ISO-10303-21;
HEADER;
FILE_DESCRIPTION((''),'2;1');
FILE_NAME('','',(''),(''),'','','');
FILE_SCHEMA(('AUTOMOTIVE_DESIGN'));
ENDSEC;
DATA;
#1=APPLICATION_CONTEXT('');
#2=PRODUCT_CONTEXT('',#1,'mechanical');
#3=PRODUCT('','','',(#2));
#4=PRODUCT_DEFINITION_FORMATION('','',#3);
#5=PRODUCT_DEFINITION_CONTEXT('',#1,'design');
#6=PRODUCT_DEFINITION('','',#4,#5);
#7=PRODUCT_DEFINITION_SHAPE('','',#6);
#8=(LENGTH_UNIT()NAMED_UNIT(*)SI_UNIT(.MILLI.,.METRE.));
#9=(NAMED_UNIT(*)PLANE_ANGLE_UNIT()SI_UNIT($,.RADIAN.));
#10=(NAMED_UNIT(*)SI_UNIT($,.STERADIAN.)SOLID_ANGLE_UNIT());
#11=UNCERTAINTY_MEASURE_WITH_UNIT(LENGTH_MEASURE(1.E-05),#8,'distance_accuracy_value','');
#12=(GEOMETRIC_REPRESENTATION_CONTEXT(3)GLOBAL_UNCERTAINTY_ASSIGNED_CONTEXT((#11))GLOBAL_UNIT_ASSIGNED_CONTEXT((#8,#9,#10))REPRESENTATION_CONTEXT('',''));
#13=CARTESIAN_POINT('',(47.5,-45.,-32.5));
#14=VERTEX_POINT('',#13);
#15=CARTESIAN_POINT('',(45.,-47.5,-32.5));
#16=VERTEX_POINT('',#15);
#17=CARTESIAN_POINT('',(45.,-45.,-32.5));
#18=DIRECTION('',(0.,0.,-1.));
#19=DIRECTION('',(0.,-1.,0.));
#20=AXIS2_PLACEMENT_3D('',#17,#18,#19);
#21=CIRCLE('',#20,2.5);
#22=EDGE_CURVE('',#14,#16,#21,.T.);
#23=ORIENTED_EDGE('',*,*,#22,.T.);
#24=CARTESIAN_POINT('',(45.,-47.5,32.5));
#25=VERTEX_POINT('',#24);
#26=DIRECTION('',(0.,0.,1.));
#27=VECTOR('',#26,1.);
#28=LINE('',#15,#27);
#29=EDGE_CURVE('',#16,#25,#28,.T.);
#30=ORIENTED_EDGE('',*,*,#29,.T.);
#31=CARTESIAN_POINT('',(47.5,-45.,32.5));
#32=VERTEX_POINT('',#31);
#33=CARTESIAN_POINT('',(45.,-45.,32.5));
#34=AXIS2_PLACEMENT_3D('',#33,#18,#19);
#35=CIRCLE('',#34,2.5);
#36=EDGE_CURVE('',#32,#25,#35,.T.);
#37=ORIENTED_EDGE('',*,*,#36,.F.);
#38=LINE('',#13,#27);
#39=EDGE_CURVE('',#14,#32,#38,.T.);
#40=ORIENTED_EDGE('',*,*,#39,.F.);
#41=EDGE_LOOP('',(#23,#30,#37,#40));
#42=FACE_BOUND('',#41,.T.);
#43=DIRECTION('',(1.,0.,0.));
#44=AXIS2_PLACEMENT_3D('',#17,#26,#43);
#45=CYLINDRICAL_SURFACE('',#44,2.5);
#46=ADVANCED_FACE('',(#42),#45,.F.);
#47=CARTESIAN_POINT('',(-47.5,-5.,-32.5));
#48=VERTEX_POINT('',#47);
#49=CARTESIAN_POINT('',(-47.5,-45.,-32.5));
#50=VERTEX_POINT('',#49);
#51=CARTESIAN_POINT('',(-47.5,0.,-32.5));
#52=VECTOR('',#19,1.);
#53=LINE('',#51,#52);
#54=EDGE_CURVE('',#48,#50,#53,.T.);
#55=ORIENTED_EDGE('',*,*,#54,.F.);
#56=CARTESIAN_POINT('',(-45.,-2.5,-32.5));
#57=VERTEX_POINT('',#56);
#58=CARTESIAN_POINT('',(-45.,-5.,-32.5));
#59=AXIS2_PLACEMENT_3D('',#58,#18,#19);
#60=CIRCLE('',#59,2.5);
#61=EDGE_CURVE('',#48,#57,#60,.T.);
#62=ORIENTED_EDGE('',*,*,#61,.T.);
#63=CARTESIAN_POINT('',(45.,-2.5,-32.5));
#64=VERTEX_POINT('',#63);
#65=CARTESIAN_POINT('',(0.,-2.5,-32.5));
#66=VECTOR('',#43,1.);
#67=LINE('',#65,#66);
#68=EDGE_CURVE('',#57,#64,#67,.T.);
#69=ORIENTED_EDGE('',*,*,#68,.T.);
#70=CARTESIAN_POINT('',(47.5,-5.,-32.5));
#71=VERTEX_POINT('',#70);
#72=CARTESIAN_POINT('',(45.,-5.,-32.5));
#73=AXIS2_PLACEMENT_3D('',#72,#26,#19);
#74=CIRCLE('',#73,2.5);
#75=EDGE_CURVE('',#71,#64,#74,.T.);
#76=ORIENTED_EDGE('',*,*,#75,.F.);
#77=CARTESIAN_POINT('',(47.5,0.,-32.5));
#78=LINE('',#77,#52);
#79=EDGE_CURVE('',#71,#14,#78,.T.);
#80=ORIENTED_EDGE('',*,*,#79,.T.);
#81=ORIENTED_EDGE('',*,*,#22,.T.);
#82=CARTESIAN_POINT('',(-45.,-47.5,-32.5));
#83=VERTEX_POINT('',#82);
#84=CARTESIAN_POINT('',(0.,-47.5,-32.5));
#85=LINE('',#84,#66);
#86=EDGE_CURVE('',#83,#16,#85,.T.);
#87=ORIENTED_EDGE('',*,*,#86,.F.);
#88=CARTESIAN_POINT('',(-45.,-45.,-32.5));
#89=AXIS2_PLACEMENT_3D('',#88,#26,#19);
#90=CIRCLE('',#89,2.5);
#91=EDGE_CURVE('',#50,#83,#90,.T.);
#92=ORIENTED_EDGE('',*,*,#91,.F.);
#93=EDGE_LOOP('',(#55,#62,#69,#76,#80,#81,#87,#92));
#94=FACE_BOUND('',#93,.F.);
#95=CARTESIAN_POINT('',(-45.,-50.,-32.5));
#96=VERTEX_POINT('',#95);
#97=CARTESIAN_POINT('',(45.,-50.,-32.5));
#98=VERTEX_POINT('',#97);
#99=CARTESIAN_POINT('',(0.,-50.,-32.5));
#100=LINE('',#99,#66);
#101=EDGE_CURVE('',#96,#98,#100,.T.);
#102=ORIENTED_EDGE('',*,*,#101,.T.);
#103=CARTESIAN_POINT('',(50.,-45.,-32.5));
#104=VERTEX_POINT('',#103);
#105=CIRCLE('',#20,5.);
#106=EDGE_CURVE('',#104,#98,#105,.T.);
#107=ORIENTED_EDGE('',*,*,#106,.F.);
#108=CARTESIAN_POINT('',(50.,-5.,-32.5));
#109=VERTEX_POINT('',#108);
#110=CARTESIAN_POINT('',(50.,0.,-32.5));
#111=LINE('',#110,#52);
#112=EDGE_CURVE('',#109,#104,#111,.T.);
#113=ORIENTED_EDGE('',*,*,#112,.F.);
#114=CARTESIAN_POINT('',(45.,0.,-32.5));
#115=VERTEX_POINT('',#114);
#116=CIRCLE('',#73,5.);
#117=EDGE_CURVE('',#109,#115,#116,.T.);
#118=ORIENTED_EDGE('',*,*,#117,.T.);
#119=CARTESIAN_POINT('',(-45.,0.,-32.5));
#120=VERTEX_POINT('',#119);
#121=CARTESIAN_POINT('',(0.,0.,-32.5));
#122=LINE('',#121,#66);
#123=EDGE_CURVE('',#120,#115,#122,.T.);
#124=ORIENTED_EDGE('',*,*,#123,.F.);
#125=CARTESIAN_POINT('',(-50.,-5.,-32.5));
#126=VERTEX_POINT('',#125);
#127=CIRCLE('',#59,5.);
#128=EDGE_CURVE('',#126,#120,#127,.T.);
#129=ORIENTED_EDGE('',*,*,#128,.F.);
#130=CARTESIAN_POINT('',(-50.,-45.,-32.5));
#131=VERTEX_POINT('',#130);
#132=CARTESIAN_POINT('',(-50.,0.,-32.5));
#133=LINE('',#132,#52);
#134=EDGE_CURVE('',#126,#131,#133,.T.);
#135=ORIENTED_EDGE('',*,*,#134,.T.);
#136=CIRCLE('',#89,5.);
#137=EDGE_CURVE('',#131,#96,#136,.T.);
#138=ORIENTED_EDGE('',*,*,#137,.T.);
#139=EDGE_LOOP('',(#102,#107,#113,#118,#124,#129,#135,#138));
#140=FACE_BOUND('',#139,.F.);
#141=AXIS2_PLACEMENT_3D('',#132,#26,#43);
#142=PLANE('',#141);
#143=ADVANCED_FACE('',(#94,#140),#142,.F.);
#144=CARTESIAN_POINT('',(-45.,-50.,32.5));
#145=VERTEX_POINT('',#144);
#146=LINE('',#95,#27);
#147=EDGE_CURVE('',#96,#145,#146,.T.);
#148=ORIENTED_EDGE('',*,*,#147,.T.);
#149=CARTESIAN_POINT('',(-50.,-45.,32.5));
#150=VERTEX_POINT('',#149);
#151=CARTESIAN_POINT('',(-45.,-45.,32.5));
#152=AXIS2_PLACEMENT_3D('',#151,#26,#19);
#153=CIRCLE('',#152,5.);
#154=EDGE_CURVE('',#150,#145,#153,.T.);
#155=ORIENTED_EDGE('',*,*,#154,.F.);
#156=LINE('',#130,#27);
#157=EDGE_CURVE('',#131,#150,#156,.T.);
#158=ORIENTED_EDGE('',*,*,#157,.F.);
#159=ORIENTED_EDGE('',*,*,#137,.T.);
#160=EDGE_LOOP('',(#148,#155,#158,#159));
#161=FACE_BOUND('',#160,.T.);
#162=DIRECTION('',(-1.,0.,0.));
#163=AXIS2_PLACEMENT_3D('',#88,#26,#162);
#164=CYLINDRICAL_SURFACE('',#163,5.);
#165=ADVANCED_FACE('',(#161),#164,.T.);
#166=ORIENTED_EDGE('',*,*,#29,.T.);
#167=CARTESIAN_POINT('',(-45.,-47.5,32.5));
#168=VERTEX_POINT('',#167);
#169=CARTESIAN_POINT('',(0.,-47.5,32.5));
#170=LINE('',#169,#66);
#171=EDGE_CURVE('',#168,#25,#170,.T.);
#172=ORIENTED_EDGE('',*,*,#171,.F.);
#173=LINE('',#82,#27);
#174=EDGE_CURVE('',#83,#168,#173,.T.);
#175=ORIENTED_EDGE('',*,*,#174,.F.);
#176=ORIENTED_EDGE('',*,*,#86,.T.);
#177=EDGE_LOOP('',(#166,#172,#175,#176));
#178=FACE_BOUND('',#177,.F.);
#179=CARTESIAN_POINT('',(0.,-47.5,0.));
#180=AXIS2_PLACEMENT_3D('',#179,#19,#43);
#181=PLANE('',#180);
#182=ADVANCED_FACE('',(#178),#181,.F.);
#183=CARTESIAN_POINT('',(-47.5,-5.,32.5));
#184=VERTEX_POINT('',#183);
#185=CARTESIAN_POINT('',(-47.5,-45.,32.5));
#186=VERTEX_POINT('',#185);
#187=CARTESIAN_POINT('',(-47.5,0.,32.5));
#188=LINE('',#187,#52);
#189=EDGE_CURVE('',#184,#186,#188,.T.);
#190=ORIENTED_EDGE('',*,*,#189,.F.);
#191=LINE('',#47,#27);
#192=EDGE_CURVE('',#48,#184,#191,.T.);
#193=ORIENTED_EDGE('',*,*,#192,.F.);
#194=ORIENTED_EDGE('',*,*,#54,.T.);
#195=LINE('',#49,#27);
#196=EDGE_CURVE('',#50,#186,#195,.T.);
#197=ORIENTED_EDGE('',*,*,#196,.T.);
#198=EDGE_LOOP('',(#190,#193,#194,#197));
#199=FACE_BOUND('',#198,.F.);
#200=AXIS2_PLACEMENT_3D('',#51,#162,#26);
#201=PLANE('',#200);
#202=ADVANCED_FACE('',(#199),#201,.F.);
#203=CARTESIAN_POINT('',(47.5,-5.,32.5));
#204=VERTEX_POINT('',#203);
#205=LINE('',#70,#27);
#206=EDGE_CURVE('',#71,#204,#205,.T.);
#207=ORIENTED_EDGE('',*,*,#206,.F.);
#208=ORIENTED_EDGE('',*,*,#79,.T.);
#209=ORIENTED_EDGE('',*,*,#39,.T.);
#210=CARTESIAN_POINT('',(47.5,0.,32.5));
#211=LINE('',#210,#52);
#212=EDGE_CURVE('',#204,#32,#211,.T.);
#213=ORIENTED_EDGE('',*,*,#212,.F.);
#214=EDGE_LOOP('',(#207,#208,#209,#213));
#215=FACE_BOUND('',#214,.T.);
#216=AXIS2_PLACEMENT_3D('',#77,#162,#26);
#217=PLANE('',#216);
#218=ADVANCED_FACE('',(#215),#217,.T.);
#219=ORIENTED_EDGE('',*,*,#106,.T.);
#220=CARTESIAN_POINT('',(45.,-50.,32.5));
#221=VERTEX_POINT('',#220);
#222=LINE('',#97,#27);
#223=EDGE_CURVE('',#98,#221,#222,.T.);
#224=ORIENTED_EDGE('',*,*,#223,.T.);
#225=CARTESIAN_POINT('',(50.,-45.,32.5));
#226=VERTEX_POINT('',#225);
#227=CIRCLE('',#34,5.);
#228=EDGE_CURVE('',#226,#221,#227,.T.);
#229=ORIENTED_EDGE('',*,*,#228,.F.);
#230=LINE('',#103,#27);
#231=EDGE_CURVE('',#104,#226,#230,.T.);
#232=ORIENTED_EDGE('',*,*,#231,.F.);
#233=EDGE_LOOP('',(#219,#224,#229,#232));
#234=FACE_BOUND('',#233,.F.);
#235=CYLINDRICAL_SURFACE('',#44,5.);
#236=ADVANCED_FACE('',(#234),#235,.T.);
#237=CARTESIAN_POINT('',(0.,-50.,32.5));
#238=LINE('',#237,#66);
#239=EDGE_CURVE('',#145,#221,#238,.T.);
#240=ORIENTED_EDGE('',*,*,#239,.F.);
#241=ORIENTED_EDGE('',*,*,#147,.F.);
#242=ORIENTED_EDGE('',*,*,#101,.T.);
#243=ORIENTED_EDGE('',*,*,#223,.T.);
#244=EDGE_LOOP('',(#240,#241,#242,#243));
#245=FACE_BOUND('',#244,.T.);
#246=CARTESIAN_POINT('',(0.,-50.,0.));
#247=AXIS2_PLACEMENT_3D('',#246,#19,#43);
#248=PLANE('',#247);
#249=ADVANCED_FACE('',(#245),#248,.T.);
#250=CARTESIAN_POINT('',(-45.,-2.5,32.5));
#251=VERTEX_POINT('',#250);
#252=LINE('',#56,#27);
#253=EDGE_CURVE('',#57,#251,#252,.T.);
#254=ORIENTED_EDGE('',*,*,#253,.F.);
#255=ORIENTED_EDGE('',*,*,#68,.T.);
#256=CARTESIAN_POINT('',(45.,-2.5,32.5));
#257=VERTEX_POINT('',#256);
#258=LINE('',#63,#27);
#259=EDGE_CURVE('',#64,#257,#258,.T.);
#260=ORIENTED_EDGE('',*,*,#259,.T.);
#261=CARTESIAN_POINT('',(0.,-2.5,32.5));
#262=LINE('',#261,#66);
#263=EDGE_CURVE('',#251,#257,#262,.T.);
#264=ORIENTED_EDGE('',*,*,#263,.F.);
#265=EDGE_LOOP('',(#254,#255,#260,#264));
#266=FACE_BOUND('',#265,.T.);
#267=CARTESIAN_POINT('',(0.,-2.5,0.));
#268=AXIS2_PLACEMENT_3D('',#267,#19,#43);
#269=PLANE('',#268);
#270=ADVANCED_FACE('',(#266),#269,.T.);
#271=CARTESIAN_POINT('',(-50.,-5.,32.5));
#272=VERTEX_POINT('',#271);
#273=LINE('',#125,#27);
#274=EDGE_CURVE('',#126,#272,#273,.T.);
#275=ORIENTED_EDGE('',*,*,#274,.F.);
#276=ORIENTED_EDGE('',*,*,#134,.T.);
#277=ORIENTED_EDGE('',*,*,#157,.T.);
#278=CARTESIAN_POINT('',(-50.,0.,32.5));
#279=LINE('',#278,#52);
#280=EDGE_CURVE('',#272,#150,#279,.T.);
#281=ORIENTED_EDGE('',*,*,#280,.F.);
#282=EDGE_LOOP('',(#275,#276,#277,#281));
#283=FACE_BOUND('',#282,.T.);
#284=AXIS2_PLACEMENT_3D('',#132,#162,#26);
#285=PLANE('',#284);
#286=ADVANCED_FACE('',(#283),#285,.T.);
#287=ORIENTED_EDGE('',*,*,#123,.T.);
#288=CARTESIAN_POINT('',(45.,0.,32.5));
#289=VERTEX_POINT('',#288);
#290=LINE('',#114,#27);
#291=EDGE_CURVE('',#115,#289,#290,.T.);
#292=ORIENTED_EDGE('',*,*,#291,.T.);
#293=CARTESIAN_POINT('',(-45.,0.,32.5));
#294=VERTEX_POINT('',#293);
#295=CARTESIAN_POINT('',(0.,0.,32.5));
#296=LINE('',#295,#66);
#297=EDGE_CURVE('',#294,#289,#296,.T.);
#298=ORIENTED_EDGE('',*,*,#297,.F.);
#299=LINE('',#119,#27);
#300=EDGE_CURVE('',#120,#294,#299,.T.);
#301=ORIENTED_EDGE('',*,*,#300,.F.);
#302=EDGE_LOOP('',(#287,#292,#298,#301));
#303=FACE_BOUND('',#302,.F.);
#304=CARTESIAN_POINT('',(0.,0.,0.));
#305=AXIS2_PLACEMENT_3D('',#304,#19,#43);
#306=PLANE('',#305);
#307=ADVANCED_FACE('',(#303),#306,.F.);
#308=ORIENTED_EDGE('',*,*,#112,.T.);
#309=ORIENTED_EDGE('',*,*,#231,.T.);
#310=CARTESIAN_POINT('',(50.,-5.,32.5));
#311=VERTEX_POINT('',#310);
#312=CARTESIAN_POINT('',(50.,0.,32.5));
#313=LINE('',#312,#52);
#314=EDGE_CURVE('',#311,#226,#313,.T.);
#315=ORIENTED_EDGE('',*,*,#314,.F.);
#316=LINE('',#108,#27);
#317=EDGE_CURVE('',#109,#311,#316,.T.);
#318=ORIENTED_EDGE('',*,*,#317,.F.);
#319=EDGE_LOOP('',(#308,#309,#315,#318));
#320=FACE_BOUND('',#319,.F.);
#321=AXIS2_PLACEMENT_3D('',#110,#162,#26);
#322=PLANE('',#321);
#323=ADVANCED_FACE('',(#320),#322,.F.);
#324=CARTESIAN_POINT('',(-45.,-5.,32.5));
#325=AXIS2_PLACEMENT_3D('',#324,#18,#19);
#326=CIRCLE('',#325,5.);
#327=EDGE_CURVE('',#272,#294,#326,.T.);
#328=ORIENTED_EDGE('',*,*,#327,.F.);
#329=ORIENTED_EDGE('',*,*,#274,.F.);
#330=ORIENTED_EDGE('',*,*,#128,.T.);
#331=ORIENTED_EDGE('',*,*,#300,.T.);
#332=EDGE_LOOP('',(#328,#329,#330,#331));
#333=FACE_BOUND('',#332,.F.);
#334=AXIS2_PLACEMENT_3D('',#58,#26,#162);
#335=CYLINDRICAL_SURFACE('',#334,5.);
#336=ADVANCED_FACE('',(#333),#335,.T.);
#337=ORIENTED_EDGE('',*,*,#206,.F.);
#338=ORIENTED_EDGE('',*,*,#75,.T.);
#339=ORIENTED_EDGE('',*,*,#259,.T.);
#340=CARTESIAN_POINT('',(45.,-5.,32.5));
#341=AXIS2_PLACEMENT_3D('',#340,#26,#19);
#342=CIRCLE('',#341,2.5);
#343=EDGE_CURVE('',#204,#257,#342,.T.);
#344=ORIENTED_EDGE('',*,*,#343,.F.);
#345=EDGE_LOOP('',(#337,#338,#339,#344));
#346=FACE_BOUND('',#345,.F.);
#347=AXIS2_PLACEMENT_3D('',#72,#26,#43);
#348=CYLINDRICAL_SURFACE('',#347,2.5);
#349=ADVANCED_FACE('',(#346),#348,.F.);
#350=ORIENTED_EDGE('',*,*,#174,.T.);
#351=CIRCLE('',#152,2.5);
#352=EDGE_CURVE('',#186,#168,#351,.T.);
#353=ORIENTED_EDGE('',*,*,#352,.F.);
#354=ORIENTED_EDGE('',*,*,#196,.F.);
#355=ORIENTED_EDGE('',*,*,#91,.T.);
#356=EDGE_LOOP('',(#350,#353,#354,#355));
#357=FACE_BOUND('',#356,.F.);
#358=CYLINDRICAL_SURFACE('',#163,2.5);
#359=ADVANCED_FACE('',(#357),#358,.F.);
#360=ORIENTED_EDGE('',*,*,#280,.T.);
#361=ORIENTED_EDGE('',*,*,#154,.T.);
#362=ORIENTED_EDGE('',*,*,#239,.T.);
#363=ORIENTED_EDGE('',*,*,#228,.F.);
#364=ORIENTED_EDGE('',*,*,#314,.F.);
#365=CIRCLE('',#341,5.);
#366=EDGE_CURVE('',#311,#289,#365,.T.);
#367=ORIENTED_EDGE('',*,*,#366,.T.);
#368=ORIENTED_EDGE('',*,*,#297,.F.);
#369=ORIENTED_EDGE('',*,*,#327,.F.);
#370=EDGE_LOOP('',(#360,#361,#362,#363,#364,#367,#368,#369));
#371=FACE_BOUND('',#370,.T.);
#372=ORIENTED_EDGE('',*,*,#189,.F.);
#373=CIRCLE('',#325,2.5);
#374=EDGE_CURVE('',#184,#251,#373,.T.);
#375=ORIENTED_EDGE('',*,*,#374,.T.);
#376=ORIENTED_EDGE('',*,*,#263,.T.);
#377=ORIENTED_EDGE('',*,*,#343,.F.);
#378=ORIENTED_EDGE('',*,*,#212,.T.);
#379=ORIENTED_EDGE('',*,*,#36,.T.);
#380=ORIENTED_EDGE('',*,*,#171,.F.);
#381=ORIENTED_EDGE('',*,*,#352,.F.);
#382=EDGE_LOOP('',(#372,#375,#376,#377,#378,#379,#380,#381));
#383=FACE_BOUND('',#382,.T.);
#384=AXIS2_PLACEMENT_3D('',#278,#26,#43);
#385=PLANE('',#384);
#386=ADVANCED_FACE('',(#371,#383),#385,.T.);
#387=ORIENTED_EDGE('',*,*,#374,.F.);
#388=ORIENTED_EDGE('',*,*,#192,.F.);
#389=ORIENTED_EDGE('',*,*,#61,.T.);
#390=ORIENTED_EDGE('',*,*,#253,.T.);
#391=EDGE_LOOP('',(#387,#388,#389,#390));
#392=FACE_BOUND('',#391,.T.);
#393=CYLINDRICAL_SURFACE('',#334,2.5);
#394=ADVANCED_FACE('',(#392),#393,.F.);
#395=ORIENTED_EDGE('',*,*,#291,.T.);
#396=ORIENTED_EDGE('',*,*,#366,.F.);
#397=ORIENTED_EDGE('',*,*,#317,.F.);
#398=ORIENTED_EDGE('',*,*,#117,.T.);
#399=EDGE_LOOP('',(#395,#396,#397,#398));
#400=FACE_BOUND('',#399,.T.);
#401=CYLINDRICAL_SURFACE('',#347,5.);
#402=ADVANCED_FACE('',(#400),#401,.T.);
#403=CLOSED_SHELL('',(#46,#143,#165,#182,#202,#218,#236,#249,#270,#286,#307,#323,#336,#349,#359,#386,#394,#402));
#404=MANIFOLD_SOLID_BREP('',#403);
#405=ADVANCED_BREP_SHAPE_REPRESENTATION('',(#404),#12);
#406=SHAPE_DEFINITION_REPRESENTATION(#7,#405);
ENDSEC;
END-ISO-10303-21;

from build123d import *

# Parameters (mm, degrees)
F0_W     = 100
F0_H     = 65
F1_DEPTH = 50
F2_R     = 5
F3_T     = -2.5


with BuildPart() as f1:
    # F0 (on Front) → F1 (new body)
    with BuildSketch(Plane.XZ):
        Rectangle(F0_W, F0_H)
    extrude(amount=F1_DEPTH)

    # F2
    f2_edges = [f1.edges().sort_by_distance(p)[0] for p in [
        (-50, -50, 0),
        (-50, 0, 0),
        (50, -50, 0),
        (50, 0, 0),
    ]]
    fillet(f2_edges, radius=F2_R)

    # F3
    f3_openings = [f1.faces().sort_by_distance(p)[0] for p in [
        (0, -25, 32.5),
        (0, -25, -32.5),
    ]]
    offset(amount=F3_T, openings=f3_openings)


solid = f1.part
